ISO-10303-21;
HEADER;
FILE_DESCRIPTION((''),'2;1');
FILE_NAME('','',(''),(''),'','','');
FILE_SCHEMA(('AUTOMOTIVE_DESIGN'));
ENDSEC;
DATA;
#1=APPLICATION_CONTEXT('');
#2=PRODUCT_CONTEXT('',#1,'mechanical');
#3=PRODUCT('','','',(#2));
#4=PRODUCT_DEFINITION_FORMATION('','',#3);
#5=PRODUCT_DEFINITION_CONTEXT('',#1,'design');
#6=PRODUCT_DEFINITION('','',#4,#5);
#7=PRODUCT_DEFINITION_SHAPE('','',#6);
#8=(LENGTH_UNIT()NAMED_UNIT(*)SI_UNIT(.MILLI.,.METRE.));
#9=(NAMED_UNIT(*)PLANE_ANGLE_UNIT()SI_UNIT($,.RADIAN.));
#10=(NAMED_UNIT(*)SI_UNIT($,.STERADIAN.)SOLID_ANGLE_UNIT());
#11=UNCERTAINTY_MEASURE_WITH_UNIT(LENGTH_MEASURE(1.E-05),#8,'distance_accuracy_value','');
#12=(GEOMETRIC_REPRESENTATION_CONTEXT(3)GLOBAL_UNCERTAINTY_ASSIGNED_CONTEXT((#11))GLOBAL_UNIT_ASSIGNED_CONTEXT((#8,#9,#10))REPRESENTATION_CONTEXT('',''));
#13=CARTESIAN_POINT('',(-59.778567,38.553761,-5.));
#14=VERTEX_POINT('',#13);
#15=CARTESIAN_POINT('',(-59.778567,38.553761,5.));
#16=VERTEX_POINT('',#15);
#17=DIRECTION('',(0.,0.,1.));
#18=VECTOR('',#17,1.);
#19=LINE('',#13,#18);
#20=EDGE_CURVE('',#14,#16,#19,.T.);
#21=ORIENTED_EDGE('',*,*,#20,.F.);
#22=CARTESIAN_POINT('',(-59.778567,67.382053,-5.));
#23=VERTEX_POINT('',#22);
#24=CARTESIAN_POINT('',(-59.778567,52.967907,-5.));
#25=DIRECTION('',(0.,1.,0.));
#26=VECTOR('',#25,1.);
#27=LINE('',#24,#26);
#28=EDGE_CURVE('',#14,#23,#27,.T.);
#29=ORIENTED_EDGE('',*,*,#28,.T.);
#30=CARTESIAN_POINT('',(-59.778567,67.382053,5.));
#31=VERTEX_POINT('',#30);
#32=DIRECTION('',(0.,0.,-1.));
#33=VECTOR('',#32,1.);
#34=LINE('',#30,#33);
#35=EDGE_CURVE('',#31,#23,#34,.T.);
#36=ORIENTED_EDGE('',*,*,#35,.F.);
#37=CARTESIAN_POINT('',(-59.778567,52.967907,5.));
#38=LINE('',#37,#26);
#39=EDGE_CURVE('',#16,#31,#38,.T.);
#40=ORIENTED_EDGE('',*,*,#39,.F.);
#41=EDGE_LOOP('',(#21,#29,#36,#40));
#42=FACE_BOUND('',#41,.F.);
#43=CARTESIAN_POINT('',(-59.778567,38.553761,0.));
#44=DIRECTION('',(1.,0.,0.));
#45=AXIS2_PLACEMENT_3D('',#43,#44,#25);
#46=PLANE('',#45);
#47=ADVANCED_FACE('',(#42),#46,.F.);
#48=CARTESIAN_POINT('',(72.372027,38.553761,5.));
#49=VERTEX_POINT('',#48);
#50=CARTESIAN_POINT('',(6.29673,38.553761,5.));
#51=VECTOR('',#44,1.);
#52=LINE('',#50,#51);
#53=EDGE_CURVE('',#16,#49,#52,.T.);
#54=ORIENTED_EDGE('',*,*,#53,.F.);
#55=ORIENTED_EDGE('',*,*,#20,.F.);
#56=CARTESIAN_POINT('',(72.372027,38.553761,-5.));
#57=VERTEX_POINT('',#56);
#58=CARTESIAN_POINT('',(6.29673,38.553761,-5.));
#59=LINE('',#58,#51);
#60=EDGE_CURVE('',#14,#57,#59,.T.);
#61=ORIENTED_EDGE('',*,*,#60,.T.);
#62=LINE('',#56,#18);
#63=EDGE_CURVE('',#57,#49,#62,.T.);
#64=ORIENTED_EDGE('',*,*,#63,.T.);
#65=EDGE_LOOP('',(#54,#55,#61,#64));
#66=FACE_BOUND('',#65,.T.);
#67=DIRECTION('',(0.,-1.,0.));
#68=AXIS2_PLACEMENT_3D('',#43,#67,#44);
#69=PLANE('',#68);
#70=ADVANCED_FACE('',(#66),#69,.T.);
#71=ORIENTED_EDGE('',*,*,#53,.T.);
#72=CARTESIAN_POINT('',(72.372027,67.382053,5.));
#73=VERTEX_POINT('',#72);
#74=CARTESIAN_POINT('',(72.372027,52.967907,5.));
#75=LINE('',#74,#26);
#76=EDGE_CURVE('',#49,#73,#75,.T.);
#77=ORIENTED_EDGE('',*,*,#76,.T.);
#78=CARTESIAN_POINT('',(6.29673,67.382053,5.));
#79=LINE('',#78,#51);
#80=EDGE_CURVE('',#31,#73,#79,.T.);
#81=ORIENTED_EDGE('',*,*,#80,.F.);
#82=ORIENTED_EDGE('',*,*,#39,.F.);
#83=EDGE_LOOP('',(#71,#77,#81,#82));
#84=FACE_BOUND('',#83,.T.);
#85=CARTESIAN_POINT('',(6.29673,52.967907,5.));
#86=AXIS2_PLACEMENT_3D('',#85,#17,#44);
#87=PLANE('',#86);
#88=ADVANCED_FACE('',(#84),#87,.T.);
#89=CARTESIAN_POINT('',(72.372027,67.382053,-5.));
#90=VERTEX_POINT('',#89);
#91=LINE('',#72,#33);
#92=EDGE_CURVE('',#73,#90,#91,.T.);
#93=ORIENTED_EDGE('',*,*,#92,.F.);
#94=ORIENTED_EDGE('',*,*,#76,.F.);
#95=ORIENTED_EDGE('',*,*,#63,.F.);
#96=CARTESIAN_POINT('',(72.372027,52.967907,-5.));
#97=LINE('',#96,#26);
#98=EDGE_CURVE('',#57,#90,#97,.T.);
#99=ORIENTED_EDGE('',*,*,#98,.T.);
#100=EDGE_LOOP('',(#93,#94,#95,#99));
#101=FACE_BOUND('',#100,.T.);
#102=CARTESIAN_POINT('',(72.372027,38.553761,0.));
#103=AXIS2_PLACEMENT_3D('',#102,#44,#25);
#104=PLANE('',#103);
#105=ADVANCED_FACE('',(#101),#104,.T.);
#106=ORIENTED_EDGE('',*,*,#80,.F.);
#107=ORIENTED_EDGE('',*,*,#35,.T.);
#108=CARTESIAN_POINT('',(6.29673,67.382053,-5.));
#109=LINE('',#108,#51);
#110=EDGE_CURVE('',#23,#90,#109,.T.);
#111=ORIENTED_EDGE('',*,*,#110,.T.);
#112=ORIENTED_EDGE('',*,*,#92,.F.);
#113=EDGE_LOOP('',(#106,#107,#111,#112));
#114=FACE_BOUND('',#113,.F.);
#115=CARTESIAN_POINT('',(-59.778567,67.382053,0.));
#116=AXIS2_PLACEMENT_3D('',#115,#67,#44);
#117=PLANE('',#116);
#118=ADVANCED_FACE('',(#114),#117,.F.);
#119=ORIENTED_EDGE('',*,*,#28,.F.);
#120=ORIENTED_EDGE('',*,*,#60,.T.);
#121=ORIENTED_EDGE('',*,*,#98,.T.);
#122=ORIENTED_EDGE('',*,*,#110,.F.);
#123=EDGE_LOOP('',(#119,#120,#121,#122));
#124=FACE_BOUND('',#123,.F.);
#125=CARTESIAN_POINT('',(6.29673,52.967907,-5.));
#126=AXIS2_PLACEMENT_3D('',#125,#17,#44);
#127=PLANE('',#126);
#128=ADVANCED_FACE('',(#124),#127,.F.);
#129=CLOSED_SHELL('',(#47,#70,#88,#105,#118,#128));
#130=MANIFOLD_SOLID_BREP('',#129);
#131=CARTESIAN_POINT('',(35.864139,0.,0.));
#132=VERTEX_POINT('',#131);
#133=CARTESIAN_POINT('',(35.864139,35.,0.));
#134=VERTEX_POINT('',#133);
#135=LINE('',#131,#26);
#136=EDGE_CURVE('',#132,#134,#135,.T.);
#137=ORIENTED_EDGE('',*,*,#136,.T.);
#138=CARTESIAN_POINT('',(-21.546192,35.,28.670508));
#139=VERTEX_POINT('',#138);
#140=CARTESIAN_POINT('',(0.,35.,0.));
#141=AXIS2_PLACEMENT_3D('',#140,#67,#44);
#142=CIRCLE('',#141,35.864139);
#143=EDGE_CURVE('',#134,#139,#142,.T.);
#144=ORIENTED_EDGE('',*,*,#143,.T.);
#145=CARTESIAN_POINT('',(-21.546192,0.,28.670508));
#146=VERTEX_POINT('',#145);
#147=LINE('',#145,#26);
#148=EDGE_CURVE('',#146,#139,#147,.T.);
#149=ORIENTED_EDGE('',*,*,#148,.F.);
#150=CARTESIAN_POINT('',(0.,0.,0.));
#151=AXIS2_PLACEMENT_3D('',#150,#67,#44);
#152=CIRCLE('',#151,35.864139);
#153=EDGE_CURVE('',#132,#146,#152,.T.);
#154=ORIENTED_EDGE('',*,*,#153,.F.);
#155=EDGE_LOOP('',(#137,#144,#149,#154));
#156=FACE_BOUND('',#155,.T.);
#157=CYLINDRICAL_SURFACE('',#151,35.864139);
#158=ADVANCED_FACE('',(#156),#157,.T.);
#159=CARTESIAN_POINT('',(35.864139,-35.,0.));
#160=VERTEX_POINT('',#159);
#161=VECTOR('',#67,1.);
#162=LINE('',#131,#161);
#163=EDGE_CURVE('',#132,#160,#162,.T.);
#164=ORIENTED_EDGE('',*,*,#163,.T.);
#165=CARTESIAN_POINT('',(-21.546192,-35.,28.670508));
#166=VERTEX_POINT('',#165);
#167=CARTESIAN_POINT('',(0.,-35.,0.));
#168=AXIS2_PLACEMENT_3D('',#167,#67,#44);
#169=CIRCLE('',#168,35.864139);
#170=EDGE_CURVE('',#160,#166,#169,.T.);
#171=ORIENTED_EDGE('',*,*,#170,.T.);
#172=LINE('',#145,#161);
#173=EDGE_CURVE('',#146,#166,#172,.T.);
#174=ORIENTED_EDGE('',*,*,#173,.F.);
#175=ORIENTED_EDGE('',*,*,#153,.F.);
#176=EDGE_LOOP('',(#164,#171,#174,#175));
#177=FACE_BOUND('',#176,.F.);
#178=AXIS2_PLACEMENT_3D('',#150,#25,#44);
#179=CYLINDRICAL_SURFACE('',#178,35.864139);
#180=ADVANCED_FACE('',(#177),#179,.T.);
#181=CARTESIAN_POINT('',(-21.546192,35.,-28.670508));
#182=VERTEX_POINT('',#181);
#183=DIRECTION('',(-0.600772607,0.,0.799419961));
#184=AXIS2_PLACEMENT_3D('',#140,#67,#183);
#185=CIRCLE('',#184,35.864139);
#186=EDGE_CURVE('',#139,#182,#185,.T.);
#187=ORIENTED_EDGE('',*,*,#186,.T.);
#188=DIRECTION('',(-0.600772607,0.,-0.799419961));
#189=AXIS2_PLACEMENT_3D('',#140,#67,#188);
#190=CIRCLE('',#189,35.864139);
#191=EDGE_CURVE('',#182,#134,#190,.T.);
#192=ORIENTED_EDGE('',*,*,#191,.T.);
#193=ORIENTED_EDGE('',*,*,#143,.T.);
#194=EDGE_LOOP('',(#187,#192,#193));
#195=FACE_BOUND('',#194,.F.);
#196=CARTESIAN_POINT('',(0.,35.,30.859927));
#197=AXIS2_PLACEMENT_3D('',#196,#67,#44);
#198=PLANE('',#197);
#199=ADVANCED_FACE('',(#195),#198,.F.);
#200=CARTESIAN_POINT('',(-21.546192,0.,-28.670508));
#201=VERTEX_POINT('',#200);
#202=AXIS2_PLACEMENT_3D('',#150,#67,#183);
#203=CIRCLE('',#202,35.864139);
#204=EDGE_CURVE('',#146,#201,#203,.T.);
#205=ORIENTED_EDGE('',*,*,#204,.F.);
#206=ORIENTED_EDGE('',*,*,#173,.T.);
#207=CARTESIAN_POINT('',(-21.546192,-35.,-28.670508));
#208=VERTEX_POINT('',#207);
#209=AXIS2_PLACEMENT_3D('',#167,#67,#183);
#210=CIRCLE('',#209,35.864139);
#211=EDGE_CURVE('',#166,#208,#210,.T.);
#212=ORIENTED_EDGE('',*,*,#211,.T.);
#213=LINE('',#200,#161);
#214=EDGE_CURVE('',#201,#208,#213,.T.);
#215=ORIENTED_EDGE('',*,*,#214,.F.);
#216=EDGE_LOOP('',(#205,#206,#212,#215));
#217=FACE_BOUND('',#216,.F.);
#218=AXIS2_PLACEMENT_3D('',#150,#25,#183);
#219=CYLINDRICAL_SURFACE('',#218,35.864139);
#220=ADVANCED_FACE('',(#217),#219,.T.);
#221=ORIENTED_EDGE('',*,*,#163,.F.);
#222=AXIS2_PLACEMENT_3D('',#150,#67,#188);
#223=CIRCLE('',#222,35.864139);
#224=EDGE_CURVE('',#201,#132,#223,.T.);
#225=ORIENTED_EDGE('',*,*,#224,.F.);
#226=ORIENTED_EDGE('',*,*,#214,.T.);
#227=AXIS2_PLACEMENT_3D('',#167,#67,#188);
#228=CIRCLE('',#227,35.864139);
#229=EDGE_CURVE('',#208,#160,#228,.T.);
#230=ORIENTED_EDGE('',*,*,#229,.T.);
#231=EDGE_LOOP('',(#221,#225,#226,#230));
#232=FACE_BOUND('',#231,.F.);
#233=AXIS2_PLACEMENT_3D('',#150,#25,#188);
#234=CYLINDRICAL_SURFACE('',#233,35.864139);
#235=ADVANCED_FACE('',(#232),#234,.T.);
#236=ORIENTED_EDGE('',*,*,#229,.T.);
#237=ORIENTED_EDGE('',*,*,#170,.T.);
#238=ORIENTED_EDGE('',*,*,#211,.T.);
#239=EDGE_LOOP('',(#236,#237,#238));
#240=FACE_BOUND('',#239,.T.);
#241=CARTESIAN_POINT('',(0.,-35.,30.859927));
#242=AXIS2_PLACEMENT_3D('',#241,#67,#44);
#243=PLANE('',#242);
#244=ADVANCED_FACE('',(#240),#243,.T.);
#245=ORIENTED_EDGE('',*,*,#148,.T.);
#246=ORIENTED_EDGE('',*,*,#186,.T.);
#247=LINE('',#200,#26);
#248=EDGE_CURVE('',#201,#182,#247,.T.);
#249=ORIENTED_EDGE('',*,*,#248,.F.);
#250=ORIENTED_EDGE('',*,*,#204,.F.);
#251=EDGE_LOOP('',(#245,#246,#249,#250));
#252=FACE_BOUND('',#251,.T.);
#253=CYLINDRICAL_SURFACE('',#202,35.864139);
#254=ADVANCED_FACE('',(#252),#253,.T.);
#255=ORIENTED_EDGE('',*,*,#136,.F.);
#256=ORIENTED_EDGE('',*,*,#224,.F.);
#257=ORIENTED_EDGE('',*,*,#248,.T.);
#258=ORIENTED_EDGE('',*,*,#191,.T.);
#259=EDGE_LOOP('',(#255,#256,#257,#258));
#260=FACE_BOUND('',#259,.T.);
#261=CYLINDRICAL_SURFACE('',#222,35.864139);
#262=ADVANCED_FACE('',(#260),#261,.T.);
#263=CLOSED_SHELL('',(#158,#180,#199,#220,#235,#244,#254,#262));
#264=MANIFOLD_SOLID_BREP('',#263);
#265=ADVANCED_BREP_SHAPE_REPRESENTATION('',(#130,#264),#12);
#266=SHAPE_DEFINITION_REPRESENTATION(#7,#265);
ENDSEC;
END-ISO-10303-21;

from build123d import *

# Parameters (mm, degrees)
F1_DEPTH = 35
F2_W     = 132.1505941451
F2_H     = 28.8282912225
F3_DEPTH = 5


with BuildPart() as f1:
    # F0 (on Front) → F1 (new body, symmetric)
    with BuildSketch(Plane.XZ):
        with BuildLine():
            ThreePointArc((21.5461921372, 28.6705084145), (0, 35.8641387511), (-21.5461921372, 28.6705084145))
            Line((-21.5461921372, 28.6705084145), (21.5461921372, 28.6705084145))
        make_face()
        with BuildLine():
            Line((21.5461921372, 28.6705084145), (-21.5461921372, 28.6705084145))
            ThreePointArc((-21.5461921372, 28.6705084145), (-35.8641387511, 0), (-21.5461921372, -28.6705084145))
            Line((-21.5461921372, -28.6705084145), (21.5461921372, -28.6705084145))
            ThreePointArc((21.5461921372, -28.6705084145), (32.0856048153, -16.023433215), (35.8641387511, 0))
            ThreePointArc((35.8641387511, 0), (32.0856048153, 16.023433215), (21.5461921372, 28.6705084145))
        make_face()
        with BuildLine():
            Line((21.5461921372, -28.6705084145), (-21.5461921372, -28.6705084145))
            ThreePointArc((-21.5461921372, -28.6705084145), (0, -35.8641387511), (21.5461921372, -28.6705084145))
        make_face()
    extrude(amount=F1_DEPTH, both=True)


with BuildPart() as f3:
    # F2 (on Top) → F3 (new body, symmetric)
    with BuildSketch(Plane.XY):
        with Locations((6.296729669, 52.9679069296)):
            Rectangle(F2_W, F2_H)
    extrude(amount=F3_DEPTH, both=True)


solid = Compound([f1.part, f3.part])
